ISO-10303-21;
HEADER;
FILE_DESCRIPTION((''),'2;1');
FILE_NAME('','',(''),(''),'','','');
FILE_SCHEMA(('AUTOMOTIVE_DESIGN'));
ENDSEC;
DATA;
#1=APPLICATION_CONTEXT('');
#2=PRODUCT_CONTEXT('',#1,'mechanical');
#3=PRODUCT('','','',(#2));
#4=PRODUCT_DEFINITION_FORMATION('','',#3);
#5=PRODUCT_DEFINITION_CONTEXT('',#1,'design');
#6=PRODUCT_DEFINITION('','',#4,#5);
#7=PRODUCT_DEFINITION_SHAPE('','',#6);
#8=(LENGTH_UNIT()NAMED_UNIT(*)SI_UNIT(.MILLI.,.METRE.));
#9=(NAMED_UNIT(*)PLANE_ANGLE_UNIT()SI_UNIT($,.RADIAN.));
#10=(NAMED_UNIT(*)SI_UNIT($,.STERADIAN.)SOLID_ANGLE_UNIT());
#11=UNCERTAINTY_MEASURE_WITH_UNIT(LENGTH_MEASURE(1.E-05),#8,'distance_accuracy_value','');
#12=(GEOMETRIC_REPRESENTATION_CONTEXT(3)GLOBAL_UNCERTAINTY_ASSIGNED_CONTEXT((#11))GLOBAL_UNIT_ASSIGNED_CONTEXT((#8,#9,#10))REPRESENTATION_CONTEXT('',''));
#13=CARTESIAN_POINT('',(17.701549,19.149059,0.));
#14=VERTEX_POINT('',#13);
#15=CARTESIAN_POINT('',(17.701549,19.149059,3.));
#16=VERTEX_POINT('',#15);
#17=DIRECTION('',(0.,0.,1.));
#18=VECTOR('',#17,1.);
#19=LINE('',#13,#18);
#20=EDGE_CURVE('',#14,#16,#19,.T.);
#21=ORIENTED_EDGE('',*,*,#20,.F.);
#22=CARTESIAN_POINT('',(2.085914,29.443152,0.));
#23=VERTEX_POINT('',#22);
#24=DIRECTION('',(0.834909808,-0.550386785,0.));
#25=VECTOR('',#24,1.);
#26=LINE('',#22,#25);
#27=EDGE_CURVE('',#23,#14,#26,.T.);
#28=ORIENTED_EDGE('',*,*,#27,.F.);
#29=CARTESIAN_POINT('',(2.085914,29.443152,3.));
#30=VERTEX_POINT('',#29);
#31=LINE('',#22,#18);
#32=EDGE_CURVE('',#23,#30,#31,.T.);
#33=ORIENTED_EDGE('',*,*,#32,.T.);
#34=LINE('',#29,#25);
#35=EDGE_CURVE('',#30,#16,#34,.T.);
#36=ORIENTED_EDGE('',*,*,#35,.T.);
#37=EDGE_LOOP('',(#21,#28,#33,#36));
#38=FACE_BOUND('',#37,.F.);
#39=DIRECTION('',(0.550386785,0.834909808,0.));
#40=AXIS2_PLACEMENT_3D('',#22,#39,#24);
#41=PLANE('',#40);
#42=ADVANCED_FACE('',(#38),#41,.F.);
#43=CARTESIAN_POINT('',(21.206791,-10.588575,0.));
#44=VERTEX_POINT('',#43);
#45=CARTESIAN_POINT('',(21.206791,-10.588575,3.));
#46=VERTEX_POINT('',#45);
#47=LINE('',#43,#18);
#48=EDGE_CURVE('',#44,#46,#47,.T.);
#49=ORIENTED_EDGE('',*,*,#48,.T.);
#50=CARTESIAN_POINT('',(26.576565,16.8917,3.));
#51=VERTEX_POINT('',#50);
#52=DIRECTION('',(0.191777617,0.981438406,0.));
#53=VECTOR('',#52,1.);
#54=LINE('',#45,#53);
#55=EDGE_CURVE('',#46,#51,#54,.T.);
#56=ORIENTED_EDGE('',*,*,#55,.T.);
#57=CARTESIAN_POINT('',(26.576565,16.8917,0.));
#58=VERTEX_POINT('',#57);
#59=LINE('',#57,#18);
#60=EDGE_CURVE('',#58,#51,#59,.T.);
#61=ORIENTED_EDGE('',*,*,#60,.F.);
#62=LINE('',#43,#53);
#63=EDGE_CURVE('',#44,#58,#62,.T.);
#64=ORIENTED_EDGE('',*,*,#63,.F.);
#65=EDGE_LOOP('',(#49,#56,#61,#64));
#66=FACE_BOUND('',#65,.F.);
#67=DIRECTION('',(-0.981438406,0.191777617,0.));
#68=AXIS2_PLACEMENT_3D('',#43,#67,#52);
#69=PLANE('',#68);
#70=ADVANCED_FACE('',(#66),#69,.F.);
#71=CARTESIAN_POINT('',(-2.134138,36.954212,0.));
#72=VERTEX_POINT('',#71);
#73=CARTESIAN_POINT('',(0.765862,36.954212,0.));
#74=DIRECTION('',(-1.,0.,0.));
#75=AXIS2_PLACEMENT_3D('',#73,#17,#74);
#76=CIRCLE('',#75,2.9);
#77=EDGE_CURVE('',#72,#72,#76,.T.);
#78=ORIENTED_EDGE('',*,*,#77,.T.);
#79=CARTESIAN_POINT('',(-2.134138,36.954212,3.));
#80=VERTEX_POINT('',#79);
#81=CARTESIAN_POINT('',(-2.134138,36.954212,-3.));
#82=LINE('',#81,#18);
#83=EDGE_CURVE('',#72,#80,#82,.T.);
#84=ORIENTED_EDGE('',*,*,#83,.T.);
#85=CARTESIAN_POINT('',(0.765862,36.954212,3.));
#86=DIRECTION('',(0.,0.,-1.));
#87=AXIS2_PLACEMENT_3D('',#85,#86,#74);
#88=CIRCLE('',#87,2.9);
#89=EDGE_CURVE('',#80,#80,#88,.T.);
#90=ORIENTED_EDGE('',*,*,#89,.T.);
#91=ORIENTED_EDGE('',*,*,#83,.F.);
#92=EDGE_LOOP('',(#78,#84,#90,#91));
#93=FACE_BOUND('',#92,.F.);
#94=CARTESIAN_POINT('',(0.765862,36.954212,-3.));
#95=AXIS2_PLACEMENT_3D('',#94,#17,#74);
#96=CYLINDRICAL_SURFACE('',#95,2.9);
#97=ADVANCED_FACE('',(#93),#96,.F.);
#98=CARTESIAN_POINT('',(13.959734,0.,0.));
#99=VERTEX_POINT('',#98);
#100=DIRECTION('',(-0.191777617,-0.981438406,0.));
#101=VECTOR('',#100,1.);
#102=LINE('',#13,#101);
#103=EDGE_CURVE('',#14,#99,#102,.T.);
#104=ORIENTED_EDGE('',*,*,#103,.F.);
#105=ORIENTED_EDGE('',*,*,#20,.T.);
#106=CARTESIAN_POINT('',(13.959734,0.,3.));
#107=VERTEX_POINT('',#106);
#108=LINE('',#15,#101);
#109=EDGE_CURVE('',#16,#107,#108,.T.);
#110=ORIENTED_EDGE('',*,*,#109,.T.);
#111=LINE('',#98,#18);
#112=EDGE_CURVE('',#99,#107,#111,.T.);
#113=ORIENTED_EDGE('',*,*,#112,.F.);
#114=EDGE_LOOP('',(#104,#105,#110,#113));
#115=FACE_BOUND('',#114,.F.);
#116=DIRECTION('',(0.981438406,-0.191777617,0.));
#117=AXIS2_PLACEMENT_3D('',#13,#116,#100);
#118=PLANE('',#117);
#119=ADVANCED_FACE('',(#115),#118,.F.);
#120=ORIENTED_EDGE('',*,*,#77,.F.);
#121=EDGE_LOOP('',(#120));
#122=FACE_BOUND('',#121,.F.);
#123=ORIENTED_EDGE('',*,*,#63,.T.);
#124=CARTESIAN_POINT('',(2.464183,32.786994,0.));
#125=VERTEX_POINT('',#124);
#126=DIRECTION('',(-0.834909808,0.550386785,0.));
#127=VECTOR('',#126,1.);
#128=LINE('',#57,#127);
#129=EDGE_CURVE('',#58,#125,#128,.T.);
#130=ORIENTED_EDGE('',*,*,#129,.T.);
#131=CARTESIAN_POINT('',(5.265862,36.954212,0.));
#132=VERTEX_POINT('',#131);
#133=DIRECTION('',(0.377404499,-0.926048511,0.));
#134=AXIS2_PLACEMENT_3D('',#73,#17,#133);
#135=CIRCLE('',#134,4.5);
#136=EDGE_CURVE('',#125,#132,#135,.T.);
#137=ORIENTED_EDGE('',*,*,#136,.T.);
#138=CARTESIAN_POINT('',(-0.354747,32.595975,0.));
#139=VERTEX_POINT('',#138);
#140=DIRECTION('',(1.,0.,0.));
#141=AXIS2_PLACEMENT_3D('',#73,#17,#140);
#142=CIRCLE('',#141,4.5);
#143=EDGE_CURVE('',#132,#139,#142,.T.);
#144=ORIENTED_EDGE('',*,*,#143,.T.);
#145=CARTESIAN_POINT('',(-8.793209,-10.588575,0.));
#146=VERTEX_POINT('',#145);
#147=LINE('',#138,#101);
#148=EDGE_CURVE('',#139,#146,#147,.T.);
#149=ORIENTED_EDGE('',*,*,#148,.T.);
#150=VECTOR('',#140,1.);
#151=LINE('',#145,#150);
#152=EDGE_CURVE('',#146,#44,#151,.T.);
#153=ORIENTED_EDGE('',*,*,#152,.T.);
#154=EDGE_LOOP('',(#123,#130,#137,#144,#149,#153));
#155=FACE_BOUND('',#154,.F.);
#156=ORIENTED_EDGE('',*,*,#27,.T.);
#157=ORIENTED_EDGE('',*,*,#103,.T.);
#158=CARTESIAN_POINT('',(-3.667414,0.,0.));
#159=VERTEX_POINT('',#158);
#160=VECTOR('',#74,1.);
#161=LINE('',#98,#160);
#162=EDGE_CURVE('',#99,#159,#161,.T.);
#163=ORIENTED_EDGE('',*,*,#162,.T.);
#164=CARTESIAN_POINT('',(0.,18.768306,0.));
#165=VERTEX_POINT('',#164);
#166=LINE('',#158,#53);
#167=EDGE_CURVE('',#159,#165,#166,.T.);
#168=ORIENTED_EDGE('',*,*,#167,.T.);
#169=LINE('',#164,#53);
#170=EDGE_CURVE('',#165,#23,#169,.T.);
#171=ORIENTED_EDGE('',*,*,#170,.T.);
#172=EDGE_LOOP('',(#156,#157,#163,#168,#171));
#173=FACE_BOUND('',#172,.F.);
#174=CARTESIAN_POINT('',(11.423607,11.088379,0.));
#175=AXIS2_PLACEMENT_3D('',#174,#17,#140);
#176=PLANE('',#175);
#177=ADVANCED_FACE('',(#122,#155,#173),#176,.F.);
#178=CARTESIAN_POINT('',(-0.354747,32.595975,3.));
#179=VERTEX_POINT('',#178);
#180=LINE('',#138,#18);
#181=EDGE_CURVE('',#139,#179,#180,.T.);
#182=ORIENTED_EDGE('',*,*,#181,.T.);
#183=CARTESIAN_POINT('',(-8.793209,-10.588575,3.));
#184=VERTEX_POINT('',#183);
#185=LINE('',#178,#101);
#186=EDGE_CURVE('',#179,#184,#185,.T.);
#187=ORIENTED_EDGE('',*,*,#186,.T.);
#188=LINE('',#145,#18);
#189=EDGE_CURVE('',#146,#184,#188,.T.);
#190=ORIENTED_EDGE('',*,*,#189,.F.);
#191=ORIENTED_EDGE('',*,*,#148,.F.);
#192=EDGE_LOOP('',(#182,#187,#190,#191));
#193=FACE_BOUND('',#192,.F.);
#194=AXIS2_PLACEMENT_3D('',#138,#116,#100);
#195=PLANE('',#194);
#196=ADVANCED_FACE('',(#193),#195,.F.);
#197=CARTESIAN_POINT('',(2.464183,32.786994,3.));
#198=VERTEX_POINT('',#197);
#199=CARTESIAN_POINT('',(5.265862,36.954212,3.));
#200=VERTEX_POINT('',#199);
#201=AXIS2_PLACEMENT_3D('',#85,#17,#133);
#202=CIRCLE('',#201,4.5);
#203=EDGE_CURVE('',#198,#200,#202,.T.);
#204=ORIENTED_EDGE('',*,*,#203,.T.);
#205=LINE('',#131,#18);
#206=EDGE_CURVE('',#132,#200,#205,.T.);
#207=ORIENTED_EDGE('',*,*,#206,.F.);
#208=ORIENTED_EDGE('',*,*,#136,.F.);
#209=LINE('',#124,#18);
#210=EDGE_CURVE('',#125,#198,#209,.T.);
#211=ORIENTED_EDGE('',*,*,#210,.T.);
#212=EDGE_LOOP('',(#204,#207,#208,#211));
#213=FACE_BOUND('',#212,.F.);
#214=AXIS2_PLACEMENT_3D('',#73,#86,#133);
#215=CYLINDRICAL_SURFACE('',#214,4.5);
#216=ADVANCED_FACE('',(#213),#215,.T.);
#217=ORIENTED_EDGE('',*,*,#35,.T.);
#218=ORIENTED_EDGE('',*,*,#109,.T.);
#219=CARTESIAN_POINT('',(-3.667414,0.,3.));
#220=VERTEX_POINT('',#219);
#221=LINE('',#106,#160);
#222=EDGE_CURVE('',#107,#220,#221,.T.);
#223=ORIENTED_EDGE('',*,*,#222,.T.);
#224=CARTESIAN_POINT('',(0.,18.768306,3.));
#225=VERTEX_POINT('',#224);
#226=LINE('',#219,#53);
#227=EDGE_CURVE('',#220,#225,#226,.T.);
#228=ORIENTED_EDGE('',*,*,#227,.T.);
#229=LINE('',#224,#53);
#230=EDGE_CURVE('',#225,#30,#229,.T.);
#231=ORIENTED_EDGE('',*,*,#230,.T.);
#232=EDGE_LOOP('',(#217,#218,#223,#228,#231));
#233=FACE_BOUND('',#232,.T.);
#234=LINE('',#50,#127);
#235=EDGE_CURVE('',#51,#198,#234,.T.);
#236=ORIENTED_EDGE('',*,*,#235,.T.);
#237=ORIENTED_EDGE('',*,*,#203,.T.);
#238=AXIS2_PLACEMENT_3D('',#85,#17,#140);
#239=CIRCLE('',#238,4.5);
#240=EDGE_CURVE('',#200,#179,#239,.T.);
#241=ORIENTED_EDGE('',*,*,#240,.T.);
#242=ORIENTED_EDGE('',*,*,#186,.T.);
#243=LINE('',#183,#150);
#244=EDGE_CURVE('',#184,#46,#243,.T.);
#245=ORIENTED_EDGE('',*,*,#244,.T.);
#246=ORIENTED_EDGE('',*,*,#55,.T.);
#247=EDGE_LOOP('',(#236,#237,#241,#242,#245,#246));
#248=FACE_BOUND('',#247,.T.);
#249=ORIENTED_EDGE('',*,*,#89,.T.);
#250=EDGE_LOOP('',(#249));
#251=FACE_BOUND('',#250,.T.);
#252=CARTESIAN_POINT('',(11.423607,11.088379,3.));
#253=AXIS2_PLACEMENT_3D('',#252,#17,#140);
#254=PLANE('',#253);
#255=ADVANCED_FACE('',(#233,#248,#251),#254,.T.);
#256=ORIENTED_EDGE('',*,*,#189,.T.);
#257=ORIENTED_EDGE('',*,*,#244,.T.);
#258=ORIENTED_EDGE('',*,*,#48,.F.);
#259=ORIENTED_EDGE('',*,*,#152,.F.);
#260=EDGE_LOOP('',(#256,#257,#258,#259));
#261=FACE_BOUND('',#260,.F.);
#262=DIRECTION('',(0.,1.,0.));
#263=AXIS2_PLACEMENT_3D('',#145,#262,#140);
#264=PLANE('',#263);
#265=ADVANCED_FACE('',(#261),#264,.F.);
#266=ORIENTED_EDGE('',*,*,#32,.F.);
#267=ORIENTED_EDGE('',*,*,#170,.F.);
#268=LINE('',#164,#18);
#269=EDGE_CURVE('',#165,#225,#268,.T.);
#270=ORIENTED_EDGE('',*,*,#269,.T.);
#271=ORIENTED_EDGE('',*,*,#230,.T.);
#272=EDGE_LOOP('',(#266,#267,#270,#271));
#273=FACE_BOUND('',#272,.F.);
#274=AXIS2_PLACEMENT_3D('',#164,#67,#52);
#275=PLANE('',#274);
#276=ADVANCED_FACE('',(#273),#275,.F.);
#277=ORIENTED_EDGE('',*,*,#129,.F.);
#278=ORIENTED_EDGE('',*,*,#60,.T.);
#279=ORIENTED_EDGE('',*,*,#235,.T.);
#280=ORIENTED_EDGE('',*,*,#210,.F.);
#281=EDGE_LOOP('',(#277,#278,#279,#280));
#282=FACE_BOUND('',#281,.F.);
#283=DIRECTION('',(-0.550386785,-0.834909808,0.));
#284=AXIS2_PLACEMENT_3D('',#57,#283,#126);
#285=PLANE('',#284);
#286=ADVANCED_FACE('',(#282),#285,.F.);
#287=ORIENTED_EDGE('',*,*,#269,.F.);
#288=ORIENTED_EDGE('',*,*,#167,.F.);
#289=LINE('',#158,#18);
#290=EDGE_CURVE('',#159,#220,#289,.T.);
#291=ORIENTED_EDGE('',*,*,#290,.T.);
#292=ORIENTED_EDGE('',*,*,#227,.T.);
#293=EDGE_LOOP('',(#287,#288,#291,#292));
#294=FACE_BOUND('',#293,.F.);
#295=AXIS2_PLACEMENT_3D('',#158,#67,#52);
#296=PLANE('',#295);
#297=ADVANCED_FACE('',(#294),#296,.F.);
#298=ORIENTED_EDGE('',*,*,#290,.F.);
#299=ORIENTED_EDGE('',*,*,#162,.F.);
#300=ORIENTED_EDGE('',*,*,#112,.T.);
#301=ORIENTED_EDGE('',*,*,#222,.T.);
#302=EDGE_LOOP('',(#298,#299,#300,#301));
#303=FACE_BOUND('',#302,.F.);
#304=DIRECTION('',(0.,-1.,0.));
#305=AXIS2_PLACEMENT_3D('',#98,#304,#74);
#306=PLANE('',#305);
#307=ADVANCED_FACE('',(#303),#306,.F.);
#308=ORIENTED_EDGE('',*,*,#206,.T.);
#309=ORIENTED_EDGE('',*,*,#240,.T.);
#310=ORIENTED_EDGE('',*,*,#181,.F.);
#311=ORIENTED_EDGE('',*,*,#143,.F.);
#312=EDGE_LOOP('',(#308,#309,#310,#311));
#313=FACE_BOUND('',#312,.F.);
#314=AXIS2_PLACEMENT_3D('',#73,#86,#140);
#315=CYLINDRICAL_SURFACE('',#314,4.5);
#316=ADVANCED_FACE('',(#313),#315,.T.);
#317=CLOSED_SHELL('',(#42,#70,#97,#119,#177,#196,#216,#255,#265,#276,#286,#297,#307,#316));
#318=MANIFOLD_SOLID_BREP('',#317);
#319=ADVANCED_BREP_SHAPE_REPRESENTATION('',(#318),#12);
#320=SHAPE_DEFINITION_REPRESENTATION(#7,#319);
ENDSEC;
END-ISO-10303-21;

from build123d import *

# Parameters (mm, degrees)
F1_DEPTH = 3
F2_D     = 5.8
F2_DEPTH = 3
F2_TIP   = 1.7424957952


with BuildPart() as f1:
    # F0 (on Top) → F1 (new body)
    with BuildSketch(Plane.XY):
        with BuildLine():
            ThreePointArc((2.4641827419, 32.7869937197), (1.2508461254, 32.4804226982), (0, 32.5198626147))
            Line((0, 32.5198626147), (0, 18.7683064789))
            Line((0, 18.7683064789), (2.0859143711, 29.4431521909))
            Line((2.0859143711, 29.4431521909), (17.7015492515, 19.1490593441))
            Line((17.7015492515, 19.1490593441), (13.9597342261, 0))
            Line((13.9597342261, 0), (0, 0))
            Line((0, 0), (0, -10.5885749888))
            Line((0, -10.5885749888), (21.2067912519, -10.5885749888))
            Line((21.2067912519, -10.5885749888), (26.5765645376, 16.8917003894))
            Line((26.5765645376, 16.8917003894), (2.4641827419, 32.7869937197))
        make_face()
        with BuildLine():
            Line((0, 18.7683064789), (0, 32.5198626147))
            ThreePointArc((0, 32.5198626147), (-0.178141111, 32.5543418855), (-0.3547474317, 32.5959746011))
            Line((-0.3547474317, 32.5959746011), (-8.7932087481, -10.5885749888))
            Line((-8.7932087481, -10.5885749888), (0, -10.5885749888))
            Line((0, -10.5885749888), (0, 0))
            Line((0, 0), (-3.6674141493, 0))
            Line((-3.6674141493, 0), (0, 18.7683064789))
        make_face()
        with BuildLine():
            Line((-0.3547474317, 32.5959746011), (0, 34.4114250112))
            Line((0, 34.4114250112), (2.4641827419, 32.7869937197))
            ThreePointArc((2.4641827419, 32.7869937197), (4.5003263885, 34.443479167), (5.2658624981, 36.9542120184))
            ThreePointArc((5.2658624981, 36.9542120184), (-1.9916051188, 40.510385853), (-0.3547474317, 32.5959746011))
        make_face()
        with BuildLine():
            Line((2.4641827419, 32.7869937197), (0, 34.4114250112))
            Line((0, 34.4114250112), (0, 32.5198626147))
            ThreePointArc((0, 32.5198626147), (1.2508461254, 32.4804226982), (2.4641827419, 32.7869937197))
        make_face()
        with BuildLine():
            Line((0, 32.5198626147), (0, 34.4114250112))
            Line((0, 34.4114250112), (-0.3547474317, 32.5959746011))
            ThreePointArc((-0.3547474317, 32.5959746011), (-0.178141111, 32.5543418855), (0, 32.5198626147))
        make_face()
    extrude(amount=F1_DEPTH)

    # F2
    with Locations(Plane(origin=(0, 0, 0), x_dir=(1, 0, 0), z_dir=(0, 0, -1))):
        with Locations((0.7658624981, -36.9542120184)):
            Hole(F2_D / 2, depth=F2_DEPTH)
            with Locations((0, 0, -(F2_DEPTH + F2_TIP / 2))):  # 118° drill point
                Cone(0, F2_D / 2, F2_TIP, mode=Mode.SUBTRACT)


solid = f1.part
